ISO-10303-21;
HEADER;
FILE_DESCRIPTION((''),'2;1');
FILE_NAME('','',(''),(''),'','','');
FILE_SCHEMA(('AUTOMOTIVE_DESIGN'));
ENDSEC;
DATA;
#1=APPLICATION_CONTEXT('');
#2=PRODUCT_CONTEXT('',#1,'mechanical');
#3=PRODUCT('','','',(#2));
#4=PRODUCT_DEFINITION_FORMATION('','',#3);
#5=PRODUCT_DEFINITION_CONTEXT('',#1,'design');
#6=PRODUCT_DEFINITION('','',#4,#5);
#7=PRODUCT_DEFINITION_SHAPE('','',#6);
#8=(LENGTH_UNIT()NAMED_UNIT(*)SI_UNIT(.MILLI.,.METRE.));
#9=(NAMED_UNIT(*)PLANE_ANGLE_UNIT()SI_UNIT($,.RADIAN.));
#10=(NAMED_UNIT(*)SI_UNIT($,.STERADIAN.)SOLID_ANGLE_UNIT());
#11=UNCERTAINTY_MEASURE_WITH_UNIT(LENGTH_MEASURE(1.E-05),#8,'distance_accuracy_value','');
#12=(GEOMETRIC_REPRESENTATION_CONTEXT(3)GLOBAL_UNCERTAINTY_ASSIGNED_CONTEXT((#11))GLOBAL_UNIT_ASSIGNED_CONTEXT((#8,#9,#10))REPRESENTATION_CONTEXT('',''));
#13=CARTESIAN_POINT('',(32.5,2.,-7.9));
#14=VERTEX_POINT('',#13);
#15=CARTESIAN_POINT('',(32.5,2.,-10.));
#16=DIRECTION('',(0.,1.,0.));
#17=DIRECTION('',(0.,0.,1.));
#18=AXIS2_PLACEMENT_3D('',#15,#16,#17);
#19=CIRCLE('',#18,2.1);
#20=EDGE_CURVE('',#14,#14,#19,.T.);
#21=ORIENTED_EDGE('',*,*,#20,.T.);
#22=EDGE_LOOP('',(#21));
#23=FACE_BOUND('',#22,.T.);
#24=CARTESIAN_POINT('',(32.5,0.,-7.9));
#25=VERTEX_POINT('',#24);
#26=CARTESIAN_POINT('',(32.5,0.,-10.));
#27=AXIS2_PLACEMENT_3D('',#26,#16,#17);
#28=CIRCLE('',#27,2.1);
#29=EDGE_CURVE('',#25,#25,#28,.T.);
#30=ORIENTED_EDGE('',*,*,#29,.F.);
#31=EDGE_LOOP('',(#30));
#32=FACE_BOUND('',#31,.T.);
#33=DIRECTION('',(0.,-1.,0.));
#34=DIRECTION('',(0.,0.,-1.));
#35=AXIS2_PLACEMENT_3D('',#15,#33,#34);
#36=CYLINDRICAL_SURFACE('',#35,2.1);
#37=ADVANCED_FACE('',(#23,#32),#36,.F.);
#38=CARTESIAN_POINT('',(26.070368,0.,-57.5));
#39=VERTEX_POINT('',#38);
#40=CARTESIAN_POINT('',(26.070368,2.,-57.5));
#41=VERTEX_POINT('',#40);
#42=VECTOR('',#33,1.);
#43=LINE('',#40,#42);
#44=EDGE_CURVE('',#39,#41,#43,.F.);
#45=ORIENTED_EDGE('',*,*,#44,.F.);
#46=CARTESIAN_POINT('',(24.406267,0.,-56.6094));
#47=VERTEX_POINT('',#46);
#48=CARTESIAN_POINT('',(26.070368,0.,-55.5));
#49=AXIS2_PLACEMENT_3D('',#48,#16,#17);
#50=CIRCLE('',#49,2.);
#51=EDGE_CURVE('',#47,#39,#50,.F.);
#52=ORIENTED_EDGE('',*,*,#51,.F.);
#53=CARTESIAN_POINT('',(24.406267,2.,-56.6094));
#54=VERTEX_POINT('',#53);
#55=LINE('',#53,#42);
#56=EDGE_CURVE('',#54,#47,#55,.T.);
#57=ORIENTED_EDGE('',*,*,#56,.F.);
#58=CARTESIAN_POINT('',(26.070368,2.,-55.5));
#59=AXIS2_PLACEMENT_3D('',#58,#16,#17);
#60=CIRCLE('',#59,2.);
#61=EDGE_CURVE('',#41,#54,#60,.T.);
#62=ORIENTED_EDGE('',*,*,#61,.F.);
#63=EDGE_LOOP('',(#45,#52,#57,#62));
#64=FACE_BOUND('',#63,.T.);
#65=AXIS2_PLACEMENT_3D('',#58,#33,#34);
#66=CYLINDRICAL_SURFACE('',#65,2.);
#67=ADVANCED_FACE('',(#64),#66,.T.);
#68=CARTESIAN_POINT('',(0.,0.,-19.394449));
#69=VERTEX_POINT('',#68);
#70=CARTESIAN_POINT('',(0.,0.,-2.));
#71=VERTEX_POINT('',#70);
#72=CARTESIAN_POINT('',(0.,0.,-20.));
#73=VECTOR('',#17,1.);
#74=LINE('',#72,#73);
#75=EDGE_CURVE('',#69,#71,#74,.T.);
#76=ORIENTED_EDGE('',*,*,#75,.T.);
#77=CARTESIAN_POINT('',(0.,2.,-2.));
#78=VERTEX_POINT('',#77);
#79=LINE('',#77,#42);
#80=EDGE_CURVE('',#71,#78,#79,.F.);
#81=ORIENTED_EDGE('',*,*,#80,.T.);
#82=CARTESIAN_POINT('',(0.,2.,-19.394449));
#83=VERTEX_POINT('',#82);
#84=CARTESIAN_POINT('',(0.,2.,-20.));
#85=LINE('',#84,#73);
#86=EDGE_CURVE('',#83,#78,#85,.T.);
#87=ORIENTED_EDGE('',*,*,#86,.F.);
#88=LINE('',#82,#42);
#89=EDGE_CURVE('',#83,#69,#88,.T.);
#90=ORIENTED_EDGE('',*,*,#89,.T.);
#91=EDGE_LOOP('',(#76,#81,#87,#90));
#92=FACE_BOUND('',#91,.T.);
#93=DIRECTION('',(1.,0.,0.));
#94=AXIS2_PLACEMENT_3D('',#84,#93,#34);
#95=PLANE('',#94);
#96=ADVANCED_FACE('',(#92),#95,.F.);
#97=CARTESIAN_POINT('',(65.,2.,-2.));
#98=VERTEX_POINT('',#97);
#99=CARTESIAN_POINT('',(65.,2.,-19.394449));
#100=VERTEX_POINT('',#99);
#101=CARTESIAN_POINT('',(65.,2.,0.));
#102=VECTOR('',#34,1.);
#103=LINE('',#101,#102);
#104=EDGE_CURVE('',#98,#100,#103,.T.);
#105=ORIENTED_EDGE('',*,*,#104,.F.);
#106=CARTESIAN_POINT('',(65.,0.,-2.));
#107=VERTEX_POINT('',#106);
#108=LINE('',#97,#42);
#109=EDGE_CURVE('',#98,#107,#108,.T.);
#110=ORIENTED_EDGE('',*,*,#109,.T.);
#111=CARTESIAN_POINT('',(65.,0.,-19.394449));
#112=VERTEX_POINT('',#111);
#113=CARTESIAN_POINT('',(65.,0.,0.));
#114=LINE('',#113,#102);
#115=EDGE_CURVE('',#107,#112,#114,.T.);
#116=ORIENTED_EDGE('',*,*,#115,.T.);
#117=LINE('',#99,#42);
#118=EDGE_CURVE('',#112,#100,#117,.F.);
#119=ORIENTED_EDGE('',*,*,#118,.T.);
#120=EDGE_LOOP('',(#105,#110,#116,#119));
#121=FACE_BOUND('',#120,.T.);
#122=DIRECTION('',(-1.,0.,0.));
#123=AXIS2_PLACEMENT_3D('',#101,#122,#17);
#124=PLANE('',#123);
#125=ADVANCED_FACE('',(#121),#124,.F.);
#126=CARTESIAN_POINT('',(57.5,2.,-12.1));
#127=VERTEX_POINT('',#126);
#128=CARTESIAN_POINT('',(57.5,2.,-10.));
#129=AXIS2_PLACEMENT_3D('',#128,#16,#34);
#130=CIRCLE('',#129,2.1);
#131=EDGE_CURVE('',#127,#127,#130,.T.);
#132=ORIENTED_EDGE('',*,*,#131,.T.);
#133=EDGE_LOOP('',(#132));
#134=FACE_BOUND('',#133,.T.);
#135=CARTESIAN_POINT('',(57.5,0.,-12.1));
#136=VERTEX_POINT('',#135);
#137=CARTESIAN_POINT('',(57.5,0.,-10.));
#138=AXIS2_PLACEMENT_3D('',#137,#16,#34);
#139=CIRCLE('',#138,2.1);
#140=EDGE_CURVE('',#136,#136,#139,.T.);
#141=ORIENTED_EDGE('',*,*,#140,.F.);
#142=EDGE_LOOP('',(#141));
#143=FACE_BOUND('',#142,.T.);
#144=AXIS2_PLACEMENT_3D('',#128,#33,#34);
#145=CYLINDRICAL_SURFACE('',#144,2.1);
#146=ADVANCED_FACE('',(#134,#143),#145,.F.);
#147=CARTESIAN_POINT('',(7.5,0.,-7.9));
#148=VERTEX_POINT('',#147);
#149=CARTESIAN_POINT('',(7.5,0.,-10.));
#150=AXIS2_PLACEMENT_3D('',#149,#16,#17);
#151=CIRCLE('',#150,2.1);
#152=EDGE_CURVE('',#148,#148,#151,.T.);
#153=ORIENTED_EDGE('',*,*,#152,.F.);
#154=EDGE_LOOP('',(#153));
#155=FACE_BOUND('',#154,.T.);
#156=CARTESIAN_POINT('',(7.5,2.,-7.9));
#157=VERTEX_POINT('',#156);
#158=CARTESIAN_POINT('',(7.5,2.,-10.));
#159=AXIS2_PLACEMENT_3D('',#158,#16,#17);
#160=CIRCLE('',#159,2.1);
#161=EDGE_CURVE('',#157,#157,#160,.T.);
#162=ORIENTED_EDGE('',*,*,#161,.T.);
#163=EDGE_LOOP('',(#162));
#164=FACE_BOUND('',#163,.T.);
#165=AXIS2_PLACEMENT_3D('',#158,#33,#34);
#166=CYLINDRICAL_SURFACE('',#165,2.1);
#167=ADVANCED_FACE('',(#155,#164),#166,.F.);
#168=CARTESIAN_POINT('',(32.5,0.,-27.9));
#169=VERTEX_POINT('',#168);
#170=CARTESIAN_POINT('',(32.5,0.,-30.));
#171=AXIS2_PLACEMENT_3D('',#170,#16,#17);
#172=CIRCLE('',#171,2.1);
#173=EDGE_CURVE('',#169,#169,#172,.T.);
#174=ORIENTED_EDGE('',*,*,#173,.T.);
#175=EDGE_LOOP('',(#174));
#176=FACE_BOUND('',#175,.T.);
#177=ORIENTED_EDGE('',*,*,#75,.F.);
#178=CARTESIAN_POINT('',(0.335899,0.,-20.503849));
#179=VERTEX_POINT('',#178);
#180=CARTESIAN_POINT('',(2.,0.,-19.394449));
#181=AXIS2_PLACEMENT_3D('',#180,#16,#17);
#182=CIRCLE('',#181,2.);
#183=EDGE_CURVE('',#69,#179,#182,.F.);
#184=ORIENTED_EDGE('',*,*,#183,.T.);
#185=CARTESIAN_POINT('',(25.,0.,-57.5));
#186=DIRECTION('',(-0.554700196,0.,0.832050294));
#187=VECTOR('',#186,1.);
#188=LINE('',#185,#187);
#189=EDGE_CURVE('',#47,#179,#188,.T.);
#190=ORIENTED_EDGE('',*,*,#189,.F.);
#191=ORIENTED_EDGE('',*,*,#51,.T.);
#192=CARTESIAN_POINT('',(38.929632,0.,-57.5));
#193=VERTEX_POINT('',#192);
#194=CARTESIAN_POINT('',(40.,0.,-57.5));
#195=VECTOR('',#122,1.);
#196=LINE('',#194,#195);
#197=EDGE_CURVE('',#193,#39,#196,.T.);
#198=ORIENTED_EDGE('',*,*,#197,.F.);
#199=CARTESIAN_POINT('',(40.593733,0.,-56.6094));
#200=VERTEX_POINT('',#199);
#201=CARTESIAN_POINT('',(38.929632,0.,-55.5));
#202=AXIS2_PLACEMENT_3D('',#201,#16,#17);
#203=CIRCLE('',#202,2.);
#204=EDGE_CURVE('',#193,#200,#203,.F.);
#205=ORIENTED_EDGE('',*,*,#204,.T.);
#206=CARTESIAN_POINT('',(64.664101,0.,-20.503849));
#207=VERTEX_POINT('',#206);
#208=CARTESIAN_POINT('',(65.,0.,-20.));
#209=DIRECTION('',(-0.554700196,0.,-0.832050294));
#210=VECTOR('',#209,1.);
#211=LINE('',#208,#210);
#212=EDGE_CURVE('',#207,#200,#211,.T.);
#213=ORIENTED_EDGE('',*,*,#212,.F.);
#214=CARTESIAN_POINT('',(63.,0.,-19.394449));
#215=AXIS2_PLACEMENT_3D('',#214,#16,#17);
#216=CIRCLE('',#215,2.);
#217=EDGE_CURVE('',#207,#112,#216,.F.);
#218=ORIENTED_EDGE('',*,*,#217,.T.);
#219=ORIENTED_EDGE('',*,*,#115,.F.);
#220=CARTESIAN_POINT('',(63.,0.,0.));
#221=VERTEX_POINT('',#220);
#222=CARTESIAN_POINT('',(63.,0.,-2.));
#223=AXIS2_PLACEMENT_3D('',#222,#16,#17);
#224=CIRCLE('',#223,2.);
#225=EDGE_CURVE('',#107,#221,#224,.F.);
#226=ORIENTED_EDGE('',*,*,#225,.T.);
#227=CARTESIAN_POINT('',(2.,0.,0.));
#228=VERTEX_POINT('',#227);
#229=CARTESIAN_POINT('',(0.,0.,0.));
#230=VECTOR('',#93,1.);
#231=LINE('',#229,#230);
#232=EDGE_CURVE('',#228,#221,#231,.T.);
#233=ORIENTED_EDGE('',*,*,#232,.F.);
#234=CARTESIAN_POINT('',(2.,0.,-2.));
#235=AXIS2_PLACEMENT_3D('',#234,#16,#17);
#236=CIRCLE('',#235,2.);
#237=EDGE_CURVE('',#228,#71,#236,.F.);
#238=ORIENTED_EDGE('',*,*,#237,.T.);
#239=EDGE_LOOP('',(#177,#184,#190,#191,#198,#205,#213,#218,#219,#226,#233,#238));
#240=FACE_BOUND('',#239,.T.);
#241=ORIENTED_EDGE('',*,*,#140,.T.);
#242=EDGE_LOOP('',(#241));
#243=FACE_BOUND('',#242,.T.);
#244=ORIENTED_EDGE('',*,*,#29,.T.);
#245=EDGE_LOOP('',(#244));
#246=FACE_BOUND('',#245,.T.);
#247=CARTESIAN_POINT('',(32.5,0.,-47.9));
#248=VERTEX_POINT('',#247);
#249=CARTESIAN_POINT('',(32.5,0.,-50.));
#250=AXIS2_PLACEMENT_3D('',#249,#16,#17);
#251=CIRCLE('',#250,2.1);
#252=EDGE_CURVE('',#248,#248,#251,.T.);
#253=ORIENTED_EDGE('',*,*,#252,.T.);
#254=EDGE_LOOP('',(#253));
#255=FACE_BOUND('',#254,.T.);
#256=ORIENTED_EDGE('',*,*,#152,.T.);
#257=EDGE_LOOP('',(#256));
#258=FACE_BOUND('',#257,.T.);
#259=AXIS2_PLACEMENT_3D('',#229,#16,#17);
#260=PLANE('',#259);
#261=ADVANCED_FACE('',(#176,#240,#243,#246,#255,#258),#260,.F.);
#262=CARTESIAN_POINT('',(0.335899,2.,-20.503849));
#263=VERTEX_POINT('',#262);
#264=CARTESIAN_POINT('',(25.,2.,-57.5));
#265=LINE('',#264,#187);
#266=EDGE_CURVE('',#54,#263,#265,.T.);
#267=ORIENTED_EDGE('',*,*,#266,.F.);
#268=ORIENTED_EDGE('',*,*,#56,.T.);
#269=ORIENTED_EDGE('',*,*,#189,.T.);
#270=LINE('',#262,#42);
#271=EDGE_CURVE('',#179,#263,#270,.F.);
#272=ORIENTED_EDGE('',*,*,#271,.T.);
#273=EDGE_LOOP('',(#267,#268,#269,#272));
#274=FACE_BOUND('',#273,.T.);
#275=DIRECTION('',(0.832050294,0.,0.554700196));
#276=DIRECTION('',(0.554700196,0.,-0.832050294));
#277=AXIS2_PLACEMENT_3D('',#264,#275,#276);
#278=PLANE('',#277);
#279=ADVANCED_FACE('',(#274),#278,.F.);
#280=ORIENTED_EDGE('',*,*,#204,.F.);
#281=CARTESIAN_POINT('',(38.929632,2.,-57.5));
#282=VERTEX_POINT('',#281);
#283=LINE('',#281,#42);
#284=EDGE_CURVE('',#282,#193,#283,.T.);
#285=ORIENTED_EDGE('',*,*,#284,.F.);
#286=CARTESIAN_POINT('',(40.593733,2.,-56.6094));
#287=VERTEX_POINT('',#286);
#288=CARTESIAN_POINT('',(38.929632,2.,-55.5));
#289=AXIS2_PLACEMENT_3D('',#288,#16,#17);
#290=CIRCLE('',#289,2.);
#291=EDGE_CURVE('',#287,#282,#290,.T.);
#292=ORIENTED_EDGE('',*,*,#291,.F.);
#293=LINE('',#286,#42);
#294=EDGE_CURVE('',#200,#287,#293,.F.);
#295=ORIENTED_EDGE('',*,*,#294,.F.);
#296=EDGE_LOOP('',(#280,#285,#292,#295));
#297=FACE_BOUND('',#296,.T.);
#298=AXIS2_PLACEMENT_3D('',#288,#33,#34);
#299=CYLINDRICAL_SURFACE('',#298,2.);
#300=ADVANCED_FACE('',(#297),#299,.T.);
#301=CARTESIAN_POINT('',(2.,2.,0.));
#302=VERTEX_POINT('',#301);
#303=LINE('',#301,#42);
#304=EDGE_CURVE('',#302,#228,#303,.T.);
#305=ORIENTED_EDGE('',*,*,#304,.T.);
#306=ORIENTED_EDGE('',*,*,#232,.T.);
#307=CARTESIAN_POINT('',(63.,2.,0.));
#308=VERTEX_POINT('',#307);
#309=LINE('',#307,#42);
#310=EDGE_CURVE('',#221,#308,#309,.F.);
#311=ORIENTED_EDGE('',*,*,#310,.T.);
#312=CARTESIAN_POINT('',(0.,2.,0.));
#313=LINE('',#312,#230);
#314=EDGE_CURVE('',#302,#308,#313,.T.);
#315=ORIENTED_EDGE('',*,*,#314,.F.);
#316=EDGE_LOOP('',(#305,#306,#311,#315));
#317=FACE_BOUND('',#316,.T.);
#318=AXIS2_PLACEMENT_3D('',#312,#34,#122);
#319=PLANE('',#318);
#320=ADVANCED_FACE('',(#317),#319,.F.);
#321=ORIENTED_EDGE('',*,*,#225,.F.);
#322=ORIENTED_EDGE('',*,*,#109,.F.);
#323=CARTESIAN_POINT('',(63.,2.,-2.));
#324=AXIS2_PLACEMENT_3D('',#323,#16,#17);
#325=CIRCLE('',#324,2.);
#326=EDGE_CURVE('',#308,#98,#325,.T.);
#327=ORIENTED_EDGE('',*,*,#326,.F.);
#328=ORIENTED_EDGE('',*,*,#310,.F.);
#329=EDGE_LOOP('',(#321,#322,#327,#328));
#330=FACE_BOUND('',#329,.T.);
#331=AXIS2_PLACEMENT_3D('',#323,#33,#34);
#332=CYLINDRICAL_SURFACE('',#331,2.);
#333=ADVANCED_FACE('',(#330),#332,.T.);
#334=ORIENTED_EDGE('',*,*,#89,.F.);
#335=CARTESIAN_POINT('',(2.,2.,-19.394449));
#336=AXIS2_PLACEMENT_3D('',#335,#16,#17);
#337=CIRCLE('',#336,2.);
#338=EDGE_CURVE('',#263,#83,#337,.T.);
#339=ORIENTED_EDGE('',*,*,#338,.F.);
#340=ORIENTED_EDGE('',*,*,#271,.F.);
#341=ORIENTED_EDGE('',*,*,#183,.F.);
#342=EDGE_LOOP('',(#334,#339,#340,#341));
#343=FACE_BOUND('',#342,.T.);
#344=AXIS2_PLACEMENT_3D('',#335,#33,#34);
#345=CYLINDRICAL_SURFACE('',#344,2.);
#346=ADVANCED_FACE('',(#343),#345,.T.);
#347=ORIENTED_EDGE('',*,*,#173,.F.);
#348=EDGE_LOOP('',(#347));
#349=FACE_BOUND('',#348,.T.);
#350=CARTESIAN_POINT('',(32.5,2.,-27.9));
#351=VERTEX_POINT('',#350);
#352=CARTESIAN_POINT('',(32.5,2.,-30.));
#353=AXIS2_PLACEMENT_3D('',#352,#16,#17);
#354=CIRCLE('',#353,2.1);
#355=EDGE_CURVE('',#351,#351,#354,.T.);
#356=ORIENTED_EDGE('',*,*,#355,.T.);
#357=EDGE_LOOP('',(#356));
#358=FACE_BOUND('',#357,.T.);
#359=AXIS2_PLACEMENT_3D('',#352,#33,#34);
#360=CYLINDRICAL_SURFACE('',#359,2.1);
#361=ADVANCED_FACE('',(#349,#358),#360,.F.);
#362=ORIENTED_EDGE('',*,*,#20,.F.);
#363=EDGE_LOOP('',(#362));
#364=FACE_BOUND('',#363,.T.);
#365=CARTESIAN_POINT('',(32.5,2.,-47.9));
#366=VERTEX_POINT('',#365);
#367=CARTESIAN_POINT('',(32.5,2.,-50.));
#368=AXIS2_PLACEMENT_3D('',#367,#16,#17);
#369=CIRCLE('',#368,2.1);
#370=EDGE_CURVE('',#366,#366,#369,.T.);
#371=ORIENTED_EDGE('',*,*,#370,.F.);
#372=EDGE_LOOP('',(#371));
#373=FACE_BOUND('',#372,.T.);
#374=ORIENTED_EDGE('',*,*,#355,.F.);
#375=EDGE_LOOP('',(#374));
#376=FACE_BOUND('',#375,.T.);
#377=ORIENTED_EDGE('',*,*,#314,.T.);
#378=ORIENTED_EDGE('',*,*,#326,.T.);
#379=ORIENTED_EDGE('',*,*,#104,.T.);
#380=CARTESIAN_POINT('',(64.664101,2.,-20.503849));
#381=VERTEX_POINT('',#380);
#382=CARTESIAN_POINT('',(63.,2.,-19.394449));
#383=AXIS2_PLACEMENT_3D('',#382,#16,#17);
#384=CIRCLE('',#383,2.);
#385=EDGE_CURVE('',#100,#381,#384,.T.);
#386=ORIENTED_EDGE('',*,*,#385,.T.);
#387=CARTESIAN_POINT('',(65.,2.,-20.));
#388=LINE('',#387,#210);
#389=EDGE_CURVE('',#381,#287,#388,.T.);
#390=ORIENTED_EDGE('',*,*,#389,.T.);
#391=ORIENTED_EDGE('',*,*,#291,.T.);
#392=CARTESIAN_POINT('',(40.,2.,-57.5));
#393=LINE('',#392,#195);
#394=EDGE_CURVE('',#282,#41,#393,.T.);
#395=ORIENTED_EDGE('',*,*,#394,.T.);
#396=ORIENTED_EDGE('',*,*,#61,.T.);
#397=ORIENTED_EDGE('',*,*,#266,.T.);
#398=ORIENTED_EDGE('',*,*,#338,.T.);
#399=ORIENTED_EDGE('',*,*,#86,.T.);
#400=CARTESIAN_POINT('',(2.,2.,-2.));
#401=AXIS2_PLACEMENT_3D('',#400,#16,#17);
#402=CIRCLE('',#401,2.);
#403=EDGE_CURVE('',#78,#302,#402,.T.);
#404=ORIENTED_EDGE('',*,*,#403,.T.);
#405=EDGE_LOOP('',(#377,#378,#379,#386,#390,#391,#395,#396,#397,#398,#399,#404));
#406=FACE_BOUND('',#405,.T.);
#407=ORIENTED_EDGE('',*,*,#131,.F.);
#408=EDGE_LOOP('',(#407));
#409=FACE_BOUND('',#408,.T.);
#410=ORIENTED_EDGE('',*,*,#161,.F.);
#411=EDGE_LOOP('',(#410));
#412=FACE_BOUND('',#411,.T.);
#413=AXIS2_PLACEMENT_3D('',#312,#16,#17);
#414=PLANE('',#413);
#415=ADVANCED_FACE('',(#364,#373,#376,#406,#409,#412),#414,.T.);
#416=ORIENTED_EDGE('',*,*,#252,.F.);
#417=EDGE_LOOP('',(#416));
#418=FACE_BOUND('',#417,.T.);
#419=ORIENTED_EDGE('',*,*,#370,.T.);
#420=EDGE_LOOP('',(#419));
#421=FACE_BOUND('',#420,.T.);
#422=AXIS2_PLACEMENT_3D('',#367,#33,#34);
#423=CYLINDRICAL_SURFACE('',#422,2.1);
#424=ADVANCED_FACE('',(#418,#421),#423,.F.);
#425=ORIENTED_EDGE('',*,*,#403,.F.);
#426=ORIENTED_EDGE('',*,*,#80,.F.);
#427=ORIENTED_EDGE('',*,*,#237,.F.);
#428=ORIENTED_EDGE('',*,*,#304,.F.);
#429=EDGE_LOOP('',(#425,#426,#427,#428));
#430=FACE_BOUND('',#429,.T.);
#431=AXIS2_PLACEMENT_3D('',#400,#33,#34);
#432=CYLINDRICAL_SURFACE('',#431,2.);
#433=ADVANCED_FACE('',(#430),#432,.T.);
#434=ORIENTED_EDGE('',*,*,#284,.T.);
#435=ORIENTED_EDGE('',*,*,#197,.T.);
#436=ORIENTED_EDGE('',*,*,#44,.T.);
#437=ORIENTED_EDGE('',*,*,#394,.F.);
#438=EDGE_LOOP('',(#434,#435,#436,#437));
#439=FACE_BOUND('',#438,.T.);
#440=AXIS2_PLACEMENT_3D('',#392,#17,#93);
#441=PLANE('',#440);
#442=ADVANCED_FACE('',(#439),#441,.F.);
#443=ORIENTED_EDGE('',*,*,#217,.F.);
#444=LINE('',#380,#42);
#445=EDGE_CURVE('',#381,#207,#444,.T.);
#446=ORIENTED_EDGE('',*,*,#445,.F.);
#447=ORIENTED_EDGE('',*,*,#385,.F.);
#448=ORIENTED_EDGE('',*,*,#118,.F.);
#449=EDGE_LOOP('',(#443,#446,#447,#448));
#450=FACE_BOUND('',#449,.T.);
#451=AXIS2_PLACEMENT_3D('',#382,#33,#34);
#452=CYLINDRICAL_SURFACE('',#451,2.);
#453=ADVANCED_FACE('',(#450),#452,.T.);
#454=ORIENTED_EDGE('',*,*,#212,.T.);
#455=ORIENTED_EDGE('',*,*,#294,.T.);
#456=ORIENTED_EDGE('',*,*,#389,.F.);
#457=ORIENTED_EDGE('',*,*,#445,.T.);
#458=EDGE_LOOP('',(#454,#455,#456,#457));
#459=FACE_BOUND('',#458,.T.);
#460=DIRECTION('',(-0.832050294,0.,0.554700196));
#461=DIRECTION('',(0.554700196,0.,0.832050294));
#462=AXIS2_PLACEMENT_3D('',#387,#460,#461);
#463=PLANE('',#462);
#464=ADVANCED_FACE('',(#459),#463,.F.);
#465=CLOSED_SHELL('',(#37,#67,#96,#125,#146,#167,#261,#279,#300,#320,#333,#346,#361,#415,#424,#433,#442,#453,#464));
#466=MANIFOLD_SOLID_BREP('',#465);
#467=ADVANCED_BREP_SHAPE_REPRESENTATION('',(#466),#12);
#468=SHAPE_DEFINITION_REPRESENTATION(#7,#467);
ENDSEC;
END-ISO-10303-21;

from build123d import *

# Parameters (mm, degrees)
SKETCH_1_R      = 2.1
EXTRUDE_1_DEPTH = 2
FILLET_1_R      = 2


with BuildPart() as part:
    # ｽｹｯﾁ1 → ﾎﾞｽ - 押し出し1 (new body)
    with BuildSketch(Plane(origin=(0, 0, 0), x_dir=(1, 0, 0), z_dir=(0, 1, 0))):
        Polygon((0, 0), (65, 0), (65, 20), (40, 57.5), (25, 57.5), (0, 20), align=None)
        with Locations(Location((7.5, 10, 0), (0, 0, 270))):
            Circle(SKETCH_1_R, mode=Mode.SUBTRACT)
        with Locations(Location((57.5, 10, 0), (0, 0, 90))):
            Circle(SKETCH_1_R, mode=Mode.SUBTRACT)
        with Locations(Location((32.5, 10, 0), (0, 0, 270))):
            Circle(SKETCH_1_R, mode=Mode.SUBTRACT)
        with Locations(Location((32.5, 50, 0), (0, 0, 270))):
            Circle(SKETCH_1_R, mode=Mode.SUBTRACT)
        with Locations(Location((32.5, 30, 0), (0, 0, 270))):
            Circle(SKETCH_1_R, mode=Mode.SUBTRACT)
    extrude(amount=EXTRUDE_1_DEPTH)

    # ﾌｨﾚｯﾄ1
    fillet_1_edges = [part.edges().sort_by_distance(p)[0] for p in [
        (0, 1, -20),
        (25, 1, -57.5),
        (40, 1, -57.5),
        (65, 1, -20),
        (65, 1, 0),
        (0, 1, 0),
    ]]
    fillet(fillet_1_edges, radius=FILLET_1_R)


solid = part.part
